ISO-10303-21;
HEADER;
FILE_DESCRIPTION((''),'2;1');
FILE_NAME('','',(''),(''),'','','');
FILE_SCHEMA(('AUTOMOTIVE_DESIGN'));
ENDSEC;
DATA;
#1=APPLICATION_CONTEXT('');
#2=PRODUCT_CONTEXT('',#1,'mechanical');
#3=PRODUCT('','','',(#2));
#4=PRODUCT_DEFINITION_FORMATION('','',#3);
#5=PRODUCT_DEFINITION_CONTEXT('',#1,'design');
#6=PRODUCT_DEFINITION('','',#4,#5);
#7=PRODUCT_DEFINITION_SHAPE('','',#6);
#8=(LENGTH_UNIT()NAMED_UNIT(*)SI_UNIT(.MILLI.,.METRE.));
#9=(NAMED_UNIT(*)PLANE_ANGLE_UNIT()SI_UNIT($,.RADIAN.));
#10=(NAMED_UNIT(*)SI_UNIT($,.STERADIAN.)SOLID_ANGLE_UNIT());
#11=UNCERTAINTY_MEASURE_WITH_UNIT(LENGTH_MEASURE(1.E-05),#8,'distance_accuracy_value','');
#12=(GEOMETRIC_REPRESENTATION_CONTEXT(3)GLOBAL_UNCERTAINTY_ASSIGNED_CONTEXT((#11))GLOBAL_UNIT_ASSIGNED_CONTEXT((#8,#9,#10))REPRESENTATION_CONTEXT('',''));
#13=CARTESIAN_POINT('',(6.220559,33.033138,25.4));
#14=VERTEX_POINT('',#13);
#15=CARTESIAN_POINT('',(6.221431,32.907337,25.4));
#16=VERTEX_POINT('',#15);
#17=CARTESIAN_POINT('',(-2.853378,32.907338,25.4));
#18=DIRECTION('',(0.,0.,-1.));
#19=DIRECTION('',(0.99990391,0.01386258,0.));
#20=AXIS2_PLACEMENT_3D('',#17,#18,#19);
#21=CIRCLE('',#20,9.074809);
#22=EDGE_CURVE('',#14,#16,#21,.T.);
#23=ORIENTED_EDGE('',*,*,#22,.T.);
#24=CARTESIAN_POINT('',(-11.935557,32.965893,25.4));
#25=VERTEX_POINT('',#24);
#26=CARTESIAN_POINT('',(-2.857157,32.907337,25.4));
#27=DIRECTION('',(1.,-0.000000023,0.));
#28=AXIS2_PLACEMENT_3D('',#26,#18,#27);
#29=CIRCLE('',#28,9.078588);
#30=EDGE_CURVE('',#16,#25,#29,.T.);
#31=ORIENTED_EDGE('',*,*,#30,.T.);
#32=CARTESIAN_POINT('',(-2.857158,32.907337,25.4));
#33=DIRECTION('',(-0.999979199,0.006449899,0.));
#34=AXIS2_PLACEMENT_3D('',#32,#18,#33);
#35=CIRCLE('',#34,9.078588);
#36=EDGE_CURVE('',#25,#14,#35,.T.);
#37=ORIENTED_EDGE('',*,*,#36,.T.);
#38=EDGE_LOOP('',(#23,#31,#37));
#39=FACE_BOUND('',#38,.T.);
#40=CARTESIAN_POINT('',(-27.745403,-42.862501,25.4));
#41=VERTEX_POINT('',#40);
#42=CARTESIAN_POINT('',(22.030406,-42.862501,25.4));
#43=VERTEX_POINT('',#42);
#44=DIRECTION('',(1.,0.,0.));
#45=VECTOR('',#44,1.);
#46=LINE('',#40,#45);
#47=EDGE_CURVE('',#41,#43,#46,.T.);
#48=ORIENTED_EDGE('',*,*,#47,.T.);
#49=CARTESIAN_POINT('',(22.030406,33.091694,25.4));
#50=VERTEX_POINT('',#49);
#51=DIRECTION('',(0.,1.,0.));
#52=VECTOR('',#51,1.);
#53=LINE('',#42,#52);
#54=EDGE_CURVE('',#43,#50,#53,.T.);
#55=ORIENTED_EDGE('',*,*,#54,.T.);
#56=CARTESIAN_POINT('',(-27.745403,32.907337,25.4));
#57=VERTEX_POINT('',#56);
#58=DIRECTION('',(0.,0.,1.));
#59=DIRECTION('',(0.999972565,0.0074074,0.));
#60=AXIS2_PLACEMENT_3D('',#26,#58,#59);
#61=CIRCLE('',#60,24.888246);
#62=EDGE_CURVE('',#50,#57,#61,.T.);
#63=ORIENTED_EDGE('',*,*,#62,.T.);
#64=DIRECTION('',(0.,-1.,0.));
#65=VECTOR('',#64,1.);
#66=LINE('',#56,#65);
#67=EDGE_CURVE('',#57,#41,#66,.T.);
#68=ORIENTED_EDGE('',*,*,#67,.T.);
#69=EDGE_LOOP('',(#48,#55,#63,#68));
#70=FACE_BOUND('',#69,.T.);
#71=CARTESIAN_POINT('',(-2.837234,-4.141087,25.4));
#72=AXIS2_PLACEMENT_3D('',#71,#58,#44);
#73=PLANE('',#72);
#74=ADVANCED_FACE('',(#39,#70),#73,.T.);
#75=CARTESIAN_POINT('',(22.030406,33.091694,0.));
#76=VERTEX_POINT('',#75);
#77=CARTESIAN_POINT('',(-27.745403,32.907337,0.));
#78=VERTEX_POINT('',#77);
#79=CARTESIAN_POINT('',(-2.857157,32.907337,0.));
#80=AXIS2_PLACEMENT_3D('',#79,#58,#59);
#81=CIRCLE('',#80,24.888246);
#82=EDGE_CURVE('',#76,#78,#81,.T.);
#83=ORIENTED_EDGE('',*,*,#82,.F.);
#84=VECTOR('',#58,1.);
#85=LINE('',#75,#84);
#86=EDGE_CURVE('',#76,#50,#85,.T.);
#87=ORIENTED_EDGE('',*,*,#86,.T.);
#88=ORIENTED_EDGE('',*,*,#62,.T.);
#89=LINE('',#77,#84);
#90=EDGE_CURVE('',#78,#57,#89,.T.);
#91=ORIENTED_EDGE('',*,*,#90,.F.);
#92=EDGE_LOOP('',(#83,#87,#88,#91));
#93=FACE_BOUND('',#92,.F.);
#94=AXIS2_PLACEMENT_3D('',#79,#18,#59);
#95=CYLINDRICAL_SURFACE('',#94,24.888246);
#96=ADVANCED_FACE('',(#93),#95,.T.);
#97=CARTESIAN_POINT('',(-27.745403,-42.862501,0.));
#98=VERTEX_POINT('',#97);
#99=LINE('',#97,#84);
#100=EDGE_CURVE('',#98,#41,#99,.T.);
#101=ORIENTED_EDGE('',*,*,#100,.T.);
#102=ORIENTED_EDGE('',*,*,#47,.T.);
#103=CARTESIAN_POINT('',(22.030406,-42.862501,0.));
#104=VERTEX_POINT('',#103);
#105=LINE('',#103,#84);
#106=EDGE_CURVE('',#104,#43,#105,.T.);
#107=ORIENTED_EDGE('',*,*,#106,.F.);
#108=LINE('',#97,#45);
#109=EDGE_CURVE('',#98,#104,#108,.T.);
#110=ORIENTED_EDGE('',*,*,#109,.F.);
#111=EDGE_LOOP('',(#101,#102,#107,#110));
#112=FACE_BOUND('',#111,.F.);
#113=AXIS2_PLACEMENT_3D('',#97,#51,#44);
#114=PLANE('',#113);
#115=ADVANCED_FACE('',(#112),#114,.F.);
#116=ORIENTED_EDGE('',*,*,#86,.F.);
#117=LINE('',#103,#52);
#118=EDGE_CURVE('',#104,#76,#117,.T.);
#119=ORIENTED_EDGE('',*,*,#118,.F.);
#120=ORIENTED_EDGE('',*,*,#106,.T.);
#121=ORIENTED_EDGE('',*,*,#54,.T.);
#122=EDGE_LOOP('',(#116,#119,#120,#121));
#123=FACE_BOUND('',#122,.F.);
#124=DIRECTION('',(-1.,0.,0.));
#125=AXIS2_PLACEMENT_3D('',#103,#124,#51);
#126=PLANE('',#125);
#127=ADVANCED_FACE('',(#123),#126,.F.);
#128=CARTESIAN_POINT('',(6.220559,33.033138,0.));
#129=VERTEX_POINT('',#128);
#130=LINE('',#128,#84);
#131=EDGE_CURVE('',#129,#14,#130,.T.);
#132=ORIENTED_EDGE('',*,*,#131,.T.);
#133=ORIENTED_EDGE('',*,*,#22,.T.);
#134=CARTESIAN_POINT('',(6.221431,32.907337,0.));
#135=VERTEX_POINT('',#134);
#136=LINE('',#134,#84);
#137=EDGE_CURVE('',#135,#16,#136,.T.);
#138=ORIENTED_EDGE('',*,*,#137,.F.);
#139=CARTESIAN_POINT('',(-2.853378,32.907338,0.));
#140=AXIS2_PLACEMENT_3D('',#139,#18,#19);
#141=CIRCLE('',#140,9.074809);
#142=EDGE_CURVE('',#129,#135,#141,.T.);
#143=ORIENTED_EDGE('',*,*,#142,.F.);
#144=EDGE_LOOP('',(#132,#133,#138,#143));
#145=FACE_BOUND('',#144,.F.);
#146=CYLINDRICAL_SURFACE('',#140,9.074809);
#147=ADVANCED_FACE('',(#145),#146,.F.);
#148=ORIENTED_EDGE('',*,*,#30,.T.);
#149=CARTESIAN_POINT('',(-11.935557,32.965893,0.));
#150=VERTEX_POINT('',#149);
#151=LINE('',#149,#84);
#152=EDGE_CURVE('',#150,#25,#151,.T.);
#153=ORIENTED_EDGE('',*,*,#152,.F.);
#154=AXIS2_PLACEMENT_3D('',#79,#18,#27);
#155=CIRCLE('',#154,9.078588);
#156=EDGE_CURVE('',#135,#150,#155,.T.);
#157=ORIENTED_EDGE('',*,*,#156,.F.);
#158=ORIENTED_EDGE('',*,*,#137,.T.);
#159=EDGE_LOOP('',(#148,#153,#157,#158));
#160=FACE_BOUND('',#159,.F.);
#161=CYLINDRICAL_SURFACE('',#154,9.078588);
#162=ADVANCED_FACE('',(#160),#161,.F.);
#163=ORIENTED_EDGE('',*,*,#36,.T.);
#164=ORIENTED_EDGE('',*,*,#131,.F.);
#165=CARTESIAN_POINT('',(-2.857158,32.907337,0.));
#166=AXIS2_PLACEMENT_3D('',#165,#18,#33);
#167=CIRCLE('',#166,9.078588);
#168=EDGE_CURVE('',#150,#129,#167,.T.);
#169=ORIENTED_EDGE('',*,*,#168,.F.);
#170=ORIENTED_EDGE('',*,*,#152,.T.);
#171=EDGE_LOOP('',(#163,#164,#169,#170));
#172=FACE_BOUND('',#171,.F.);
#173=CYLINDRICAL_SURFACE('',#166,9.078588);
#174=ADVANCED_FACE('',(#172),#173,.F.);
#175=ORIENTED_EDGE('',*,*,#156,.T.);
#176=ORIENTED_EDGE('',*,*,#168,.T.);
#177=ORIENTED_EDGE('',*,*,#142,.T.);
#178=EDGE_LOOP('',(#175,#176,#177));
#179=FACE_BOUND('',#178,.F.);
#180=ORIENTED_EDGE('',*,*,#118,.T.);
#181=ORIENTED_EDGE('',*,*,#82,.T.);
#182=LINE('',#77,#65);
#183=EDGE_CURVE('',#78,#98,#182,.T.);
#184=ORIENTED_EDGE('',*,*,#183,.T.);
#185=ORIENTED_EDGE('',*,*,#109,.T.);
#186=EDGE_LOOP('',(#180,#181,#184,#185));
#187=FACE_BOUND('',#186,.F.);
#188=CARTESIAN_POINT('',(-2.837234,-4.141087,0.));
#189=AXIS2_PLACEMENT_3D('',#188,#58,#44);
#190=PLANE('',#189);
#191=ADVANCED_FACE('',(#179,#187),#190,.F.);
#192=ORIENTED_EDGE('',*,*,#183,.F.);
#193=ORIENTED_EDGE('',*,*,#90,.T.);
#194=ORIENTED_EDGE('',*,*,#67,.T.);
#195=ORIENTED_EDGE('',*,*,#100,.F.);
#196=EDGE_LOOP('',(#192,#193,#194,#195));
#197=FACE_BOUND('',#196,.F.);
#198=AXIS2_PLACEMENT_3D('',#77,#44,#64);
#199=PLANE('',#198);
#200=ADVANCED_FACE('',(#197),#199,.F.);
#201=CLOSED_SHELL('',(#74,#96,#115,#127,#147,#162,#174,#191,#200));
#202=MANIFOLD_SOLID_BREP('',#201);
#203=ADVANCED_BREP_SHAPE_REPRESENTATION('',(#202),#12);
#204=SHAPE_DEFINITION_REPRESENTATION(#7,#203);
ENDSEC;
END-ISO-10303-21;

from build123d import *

# Parameters (mm, degrees)
F1_DEPTH = 25.4


with BuildPart() as f1:
    # F0 (on Top) → F1 (new body)
    with BuildSketch(Plane.XY):
        with BuildLine():
            Line((-11.935557, 32.965893), (-27.745403, 32.907337))
            Line((-27.745403, 32.907337), (-27.745403, -42.862501))
            Line((-27.745403, -42.862501), (22.030406, -42.862501))
            Line((22.030406, -42.862501), (22.030406, 33.091694))
            Line((22.030406, 33.091694), (6.220559, 33.033138))
            ThreePointArc((6.220559, 33.033138), (6.221213, 32.970239), (6.221431, 32.907337))
            ThreePointArc((6.221431, 32.907337), (-2.886435, 23.828796), (-11.935557, 32.965893))
        make_face()
        with BuildLine():
            ThreePointArc((22.030406, 33.091694), (-2.949337, 57.795412), (-27.745403, 32.907337))
            Line((-27.745403, 32.907337), (-11.935557, 32.965893))
            ThreePointArc((-11.935557, 32.965893), (-2.890782, 41.985863), (6.220559, 33.033138))
            Line((6.220559, 33.033138), (22.030406, 33.091694))
        make_face()
    extrude(amount=F1_DEPTH)


solid = f1.part
